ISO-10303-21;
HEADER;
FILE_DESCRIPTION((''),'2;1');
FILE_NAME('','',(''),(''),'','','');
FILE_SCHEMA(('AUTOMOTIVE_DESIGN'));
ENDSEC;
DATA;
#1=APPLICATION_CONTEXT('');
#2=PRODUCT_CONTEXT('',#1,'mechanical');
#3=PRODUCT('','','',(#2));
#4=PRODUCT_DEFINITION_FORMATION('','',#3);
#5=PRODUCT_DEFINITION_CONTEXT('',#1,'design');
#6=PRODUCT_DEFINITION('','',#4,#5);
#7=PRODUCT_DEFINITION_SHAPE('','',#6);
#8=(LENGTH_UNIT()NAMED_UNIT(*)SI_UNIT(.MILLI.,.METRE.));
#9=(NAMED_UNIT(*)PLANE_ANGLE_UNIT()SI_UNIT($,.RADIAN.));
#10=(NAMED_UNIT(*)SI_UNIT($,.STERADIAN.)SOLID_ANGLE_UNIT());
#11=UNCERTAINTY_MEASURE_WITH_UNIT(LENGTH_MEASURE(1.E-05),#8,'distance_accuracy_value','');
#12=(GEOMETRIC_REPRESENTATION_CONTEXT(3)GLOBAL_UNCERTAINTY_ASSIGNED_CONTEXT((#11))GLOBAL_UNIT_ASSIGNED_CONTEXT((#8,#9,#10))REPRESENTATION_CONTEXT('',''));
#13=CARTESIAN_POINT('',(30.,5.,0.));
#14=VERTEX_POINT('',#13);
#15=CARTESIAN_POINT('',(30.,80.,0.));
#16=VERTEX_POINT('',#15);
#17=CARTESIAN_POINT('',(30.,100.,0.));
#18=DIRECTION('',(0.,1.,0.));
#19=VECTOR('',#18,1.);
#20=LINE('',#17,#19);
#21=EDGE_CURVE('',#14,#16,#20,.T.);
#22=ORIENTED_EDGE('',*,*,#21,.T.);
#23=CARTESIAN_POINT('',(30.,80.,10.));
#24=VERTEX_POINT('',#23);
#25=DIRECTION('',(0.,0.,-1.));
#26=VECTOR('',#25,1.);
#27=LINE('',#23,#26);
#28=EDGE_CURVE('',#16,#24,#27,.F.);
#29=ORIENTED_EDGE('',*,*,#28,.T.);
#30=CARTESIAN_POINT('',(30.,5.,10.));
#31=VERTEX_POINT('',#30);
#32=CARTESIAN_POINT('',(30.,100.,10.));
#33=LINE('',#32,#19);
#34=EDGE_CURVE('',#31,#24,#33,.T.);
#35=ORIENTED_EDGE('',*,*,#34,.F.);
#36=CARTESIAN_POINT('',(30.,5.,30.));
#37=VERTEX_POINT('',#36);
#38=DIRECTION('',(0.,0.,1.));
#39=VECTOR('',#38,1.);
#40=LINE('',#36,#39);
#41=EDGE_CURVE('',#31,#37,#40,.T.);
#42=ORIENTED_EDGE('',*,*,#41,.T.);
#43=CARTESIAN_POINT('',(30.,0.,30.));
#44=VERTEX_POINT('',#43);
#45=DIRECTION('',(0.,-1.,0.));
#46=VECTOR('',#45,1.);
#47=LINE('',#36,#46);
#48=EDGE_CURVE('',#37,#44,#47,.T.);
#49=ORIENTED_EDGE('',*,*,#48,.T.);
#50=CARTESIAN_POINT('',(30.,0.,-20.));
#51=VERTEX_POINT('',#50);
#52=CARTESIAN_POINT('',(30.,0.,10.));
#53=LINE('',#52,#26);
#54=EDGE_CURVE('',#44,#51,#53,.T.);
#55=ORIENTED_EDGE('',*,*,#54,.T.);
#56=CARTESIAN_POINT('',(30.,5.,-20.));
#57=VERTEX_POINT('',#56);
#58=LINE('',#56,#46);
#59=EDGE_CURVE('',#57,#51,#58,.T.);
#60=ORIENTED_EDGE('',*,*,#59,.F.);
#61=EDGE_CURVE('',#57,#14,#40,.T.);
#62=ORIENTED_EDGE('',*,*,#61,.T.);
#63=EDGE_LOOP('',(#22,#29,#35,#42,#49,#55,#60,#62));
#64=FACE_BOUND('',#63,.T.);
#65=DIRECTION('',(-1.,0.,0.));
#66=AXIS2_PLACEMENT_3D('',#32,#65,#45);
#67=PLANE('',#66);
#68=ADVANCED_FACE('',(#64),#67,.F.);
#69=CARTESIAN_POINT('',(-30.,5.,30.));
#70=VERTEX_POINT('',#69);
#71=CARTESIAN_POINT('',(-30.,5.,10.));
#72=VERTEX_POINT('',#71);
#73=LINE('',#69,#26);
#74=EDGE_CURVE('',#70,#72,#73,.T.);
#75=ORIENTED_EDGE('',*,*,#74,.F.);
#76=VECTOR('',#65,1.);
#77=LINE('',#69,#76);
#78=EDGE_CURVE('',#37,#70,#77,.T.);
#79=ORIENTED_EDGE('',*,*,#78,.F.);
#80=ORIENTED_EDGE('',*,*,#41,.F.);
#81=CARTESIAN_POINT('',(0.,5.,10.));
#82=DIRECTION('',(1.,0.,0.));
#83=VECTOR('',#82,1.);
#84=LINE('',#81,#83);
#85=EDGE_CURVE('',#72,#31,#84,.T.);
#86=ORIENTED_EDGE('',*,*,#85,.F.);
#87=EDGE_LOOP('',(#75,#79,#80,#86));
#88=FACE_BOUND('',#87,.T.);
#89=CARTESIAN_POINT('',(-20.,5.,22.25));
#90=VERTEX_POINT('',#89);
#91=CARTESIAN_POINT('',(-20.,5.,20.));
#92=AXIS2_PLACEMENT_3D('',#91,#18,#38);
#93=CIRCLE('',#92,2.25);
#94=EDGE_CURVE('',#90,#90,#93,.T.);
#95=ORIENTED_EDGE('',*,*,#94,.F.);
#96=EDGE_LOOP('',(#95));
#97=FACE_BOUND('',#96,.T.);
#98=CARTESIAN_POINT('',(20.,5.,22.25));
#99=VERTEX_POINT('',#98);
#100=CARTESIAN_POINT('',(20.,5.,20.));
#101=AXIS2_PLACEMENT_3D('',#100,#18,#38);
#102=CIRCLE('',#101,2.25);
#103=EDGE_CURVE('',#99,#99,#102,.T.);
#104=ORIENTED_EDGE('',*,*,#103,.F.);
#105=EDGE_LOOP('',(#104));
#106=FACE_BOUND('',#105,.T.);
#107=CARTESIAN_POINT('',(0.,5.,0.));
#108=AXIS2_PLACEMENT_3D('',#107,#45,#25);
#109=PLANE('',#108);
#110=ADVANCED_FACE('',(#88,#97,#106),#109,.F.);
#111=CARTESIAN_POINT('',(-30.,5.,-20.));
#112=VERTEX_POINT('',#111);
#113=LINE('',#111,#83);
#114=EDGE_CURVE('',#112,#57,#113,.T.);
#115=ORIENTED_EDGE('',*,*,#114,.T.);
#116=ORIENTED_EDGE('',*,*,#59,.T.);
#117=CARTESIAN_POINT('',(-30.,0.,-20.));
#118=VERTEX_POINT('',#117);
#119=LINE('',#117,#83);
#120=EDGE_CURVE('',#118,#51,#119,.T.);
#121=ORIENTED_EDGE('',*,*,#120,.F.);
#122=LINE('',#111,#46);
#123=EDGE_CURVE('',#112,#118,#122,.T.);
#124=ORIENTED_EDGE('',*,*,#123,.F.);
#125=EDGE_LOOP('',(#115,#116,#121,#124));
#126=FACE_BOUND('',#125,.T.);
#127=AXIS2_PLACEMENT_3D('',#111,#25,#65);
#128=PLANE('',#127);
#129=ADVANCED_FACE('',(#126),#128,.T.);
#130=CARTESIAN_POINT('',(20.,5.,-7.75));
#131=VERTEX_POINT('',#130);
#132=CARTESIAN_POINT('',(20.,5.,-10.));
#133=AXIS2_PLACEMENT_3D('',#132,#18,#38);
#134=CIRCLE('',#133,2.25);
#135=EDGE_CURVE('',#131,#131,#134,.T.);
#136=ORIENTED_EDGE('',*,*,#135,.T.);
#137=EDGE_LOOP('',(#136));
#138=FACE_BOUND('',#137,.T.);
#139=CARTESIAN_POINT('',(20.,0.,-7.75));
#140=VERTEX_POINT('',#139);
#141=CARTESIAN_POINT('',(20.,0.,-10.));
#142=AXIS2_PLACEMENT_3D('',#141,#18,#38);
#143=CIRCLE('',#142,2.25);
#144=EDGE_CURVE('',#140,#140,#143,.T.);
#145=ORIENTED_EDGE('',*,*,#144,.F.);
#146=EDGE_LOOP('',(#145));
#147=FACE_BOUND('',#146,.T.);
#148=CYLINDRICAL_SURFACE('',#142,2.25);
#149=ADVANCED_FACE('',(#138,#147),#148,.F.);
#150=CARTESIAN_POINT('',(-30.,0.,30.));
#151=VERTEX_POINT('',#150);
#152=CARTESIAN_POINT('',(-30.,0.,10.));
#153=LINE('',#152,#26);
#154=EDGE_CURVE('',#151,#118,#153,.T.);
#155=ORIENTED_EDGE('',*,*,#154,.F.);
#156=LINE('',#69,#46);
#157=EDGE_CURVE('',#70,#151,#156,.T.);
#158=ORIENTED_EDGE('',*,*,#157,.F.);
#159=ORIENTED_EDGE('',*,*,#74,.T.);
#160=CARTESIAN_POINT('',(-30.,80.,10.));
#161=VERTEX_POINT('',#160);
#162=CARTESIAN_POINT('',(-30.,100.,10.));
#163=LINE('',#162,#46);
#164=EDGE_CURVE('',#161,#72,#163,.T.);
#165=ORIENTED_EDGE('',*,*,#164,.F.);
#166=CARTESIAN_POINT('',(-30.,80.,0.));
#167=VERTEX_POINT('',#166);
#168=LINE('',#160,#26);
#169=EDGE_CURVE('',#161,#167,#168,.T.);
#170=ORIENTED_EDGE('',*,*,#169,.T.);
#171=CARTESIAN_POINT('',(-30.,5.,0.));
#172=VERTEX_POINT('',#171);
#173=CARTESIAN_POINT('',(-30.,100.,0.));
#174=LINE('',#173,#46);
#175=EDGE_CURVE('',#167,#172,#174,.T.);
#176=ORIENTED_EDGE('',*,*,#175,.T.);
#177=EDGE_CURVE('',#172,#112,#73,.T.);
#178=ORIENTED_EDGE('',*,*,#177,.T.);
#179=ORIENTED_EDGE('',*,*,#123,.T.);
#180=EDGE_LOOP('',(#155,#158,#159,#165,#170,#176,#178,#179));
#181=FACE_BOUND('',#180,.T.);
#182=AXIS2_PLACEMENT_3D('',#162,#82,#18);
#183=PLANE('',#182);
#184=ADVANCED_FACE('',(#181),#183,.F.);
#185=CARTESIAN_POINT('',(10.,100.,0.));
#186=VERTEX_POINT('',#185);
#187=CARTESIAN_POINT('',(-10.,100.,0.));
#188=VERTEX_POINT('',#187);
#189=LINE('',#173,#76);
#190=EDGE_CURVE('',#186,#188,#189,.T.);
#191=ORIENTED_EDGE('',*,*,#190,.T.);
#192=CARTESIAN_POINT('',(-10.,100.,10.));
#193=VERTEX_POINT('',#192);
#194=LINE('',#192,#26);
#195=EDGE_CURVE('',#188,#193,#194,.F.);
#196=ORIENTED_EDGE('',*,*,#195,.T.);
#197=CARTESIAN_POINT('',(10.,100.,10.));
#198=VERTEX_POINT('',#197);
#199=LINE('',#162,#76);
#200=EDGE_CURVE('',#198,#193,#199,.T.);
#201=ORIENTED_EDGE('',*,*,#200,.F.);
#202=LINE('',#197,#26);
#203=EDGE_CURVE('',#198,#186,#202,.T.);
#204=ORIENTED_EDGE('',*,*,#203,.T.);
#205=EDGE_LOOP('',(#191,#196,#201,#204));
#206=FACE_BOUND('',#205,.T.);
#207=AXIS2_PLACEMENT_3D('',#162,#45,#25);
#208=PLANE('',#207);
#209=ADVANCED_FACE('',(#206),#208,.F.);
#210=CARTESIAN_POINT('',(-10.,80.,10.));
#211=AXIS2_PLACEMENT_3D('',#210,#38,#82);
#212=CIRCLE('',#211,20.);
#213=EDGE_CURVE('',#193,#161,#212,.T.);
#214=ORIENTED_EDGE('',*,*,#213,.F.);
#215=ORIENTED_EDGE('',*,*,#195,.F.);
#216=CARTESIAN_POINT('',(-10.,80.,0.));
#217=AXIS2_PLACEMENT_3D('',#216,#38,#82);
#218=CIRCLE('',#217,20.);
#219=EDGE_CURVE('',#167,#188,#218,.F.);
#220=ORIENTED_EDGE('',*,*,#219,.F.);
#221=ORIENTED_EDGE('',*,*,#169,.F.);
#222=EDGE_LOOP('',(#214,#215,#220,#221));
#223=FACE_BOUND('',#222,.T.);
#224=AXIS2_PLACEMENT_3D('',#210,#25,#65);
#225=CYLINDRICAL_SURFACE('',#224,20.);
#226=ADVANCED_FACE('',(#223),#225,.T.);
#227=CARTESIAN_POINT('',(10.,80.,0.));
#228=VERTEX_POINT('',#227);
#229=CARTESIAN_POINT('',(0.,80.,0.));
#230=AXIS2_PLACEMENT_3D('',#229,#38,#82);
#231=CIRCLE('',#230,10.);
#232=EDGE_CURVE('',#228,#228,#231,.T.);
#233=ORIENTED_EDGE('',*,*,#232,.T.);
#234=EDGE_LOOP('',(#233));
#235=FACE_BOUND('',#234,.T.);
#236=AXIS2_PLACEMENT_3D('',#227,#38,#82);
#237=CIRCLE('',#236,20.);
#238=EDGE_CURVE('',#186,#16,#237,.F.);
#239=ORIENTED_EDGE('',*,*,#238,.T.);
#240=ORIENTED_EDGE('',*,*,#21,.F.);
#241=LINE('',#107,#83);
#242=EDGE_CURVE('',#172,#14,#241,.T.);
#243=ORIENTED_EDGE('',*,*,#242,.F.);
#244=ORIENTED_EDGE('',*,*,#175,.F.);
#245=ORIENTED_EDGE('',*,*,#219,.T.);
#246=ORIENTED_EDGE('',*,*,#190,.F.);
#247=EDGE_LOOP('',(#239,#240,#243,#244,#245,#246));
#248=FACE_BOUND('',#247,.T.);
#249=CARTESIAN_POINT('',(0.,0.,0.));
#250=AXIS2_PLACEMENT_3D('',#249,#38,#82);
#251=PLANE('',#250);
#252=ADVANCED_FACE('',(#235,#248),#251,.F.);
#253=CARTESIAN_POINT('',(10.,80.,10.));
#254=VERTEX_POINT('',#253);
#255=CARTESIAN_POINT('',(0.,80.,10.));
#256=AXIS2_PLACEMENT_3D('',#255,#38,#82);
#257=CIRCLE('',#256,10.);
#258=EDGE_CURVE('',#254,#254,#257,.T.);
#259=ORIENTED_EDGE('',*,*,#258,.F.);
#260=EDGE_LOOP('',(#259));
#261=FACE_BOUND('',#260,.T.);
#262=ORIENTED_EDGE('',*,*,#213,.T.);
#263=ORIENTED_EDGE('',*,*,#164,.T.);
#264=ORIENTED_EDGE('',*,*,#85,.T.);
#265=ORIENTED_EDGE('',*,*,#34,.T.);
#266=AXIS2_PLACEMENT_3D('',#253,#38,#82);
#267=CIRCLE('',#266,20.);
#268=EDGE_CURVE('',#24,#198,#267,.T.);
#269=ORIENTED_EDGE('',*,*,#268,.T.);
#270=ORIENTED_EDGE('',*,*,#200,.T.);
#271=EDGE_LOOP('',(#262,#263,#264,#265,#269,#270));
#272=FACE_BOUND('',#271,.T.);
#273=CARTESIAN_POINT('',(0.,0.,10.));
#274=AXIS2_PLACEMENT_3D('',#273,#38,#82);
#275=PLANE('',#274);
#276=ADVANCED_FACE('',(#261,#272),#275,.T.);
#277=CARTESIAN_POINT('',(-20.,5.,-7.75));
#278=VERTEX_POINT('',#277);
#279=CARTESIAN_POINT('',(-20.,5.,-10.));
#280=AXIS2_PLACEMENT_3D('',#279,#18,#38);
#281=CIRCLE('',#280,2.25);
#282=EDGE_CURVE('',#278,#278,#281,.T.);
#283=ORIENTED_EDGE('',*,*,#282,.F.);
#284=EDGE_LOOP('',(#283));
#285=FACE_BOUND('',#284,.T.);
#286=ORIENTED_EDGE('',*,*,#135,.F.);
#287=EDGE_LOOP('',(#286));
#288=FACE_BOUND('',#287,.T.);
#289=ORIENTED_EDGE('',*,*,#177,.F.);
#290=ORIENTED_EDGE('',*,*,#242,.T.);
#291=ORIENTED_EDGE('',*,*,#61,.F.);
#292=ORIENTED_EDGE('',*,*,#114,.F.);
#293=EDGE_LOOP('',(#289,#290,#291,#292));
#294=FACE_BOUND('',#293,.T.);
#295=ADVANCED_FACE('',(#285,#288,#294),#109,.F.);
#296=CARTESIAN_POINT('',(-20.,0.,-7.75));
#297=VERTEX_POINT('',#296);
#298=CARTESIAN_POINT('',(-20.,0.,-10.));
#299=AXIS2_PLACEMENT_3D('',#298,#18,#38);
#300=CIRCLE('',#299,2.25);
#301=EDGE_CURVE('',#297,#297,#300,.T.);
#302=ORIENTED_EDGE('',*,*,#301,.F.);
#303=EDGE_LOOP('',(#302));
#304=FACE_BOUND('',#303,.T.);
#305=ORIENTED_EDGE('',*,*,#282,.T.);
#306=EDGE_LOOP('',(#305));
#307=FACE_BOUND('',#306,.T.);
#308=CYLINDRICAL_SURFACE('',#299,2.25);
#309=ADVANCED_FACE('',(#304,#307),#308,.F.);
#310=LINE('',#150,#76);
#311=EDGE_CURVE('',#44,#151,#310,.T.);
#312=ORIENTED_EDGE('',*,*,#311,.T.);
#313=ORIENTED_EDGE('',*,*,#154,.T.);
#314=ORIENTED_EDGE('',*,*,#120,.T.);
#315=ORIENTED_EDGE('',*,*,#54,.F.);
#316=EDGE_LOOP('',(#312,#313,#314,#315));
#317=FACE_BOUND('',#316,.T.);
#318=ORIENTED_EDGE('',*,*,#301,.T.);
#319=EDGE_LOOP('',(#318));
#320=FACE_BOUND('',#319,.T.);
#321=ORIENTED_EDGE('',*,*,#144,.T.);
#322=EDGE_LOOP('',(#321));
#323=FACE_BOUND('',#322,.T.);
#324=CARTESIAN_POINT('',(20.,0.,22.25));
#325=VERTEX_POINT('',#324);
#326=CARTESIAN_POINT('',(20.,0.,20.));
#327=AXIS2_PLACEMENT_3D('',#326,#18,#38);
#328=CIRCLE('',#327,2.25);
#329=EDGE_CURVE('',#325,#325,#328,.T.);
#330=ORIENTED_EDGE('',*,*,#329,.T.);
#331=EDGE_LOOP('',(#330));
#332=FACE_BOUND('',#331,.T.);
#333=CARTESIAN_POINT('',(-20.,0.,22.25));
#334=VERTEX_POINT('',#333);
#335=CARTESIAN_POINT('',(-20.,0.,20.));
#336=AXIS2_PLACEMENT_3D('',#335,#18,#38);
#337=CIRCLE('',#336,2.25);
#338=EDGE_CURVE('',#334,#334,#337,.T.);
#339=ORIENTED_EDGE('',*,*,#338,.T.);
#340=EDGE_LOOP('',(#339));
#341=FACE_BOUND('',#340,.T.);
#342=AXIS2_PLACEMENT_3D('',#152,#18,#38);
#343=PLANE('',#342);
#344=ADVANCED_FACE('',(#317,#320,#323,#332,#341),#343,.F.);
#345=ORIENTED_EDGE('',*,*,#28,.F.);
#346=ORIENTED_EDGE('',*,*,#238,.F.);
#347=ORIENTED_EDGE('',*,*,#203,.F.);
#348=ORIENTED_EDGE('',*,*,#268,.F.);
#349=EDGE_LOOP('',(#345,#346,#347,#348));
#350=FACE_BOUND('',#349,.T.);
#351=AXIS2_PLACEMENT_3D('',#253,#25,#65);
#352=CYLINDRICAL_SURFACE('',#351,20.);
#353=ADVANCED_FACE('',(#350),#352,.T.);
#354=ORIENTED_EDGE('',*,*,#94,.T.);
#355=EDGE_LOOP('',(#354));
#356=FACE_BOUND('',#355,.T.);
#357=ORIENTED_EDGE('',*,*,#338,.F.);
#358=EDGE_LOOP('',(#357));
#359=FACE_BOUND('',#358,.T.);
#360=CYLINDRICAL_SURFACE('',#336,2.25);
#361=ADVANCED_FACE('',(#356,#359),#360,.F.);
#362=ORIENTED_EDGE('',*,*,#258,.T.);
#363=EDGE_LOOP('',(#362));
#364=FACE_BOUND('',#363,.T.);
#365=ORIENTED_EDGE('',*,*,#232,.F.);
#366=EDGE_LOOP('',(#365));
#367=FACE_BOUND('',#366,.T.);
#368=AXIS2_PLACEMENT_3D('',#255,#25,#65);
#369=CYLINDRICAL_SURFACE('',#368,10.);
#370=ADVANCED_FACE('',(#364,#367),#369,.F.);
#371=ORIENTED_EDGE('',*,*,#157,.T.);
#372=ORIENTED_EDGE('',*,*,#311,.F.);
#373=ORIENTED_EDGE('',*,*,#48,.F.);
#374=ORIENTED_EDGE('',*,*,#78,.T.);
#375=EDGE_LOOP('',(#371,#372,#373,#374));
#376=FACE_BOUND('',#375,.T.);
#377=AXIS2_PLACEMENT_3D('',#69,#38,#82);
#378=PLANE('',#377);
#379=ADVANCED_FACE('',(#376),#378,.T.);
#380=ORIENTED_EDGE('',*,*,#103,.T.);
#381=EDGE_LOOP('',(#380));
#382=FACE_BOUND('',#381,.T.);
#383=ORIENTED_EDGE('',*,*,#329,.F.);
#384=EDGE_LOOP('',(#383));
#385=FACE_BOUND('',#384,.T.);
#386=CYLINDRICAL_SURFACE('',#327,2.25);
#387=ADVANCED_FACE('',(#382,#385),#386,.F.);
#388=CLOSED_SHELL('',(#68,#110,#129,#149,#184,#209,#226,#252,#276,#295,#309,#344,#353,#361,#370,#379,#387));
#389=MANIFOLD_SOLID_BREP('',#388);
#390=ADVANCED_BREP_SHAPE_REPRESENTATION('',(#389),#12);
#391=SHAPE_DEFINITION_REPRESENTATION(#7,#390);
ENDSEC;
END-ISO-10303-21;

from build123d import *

# Parameters (mm, degrees)
SKETCH_1_W          = 60
SKETCH_1_H          = 100
SKETCH_1_R          = 10
EXTRUDE_1_DEPTH     = 10
SKETCH_2_R          = 10
EXTRUDE_2_DEPTH     = 2
FILLET_1_R          = 20
SKETCH_3_W          = 60
SKETCH_3_H          = 50
EXTRUDE_3_DEPTH     = 5
SKETCH_4_R          = 2.25
CUT_EXTRUDE_1_DEPTH = 105.043260233
CUT_EXTRUDE_START   = -10
SKETCH_5_R          = 10
CUT_EXTRUDE_2_DEPTH = 10


with BuildPart() as part:
    # 草图1 → 凸台-拉伸1 (new body)
    with BuildSketch(Plane.XY):
        with Locations((0, 50)):
            Rectangle(SKETCH_1_W, SKETCH_1_H)
        with Locations((0, 80)):
            Circle(SKETCH_1_R, mode=Mode.SUBTRACT)
    extrude(amount=EXTRUDE_1_DEPTH)

    # 草图2 → 凸台-拉伸2 (add)
    with BuildSketch(Plane(origin=(0, 0, 0), x_dir=(-1, 0, 0), z_dir=(0, 0, -1))):
        with Locations((0, 80)):
            Circle(SKETCH_2_R)
    extrude(amount=-EXTRUDE_2_DEPTH)

    # 圆角1
    fillet_1_edges = [part.edges().sort_by_distance(p)[0] for p in [
        (-30, 100, 5),
        (30, 100, 5),
    ]]
    fillet(fillet_1_edges, radius=FILLET_1_R)

    # 草图3 → 凸台-拉伸3 (add)
    with BuildSketch(Plane.XZ):
        with Locations((0, 5)):
            Rectangle(SKETCH_3_W, SKETCH_3_H)
    extrude(amount=-EXTRUDE_3_DEPTH)

    # 草图4 → 切除-拉伸1 (cut, through all)
    with BuildSketch(Plane(origin=(0, 5, 0), x_dir=(1, 0, 0), z_dir=(0, 1, 0))):
        with Locations(Location((-20, 10, 0), (0, 0, 270))):
            Circle(SKETCH_4_R)
        with Locations(Location((20, 10, 0), (0, 0, 270))):
            Circle(SKETCH_4_R)
        with Locations(Location((-20, -20, 0), (0, 0, 270))):
            Circle(SKETCH_4_R)
        with Locations(Location((20, -20, 0), (0, 0, 270))):
            Circle(SKETCH_4_R)
    extrude(amount=-CUT_EXTRUDE_1_DEPTH, mode=Mode.SUBTRACT)

    # 草图5 → 切除-拉伸2 (cut)
    with BuildSketch(Plane.XY.offset(2).offset(CUT_EXTRUDE_START)):
        with Locations((0, 80)):
            Circle(SKETCH_5_R)
    extrude(amount=CUT_EXTRUDE_2_DEPTH, mode=Mode.SUBTRACT)


solid = part.part
